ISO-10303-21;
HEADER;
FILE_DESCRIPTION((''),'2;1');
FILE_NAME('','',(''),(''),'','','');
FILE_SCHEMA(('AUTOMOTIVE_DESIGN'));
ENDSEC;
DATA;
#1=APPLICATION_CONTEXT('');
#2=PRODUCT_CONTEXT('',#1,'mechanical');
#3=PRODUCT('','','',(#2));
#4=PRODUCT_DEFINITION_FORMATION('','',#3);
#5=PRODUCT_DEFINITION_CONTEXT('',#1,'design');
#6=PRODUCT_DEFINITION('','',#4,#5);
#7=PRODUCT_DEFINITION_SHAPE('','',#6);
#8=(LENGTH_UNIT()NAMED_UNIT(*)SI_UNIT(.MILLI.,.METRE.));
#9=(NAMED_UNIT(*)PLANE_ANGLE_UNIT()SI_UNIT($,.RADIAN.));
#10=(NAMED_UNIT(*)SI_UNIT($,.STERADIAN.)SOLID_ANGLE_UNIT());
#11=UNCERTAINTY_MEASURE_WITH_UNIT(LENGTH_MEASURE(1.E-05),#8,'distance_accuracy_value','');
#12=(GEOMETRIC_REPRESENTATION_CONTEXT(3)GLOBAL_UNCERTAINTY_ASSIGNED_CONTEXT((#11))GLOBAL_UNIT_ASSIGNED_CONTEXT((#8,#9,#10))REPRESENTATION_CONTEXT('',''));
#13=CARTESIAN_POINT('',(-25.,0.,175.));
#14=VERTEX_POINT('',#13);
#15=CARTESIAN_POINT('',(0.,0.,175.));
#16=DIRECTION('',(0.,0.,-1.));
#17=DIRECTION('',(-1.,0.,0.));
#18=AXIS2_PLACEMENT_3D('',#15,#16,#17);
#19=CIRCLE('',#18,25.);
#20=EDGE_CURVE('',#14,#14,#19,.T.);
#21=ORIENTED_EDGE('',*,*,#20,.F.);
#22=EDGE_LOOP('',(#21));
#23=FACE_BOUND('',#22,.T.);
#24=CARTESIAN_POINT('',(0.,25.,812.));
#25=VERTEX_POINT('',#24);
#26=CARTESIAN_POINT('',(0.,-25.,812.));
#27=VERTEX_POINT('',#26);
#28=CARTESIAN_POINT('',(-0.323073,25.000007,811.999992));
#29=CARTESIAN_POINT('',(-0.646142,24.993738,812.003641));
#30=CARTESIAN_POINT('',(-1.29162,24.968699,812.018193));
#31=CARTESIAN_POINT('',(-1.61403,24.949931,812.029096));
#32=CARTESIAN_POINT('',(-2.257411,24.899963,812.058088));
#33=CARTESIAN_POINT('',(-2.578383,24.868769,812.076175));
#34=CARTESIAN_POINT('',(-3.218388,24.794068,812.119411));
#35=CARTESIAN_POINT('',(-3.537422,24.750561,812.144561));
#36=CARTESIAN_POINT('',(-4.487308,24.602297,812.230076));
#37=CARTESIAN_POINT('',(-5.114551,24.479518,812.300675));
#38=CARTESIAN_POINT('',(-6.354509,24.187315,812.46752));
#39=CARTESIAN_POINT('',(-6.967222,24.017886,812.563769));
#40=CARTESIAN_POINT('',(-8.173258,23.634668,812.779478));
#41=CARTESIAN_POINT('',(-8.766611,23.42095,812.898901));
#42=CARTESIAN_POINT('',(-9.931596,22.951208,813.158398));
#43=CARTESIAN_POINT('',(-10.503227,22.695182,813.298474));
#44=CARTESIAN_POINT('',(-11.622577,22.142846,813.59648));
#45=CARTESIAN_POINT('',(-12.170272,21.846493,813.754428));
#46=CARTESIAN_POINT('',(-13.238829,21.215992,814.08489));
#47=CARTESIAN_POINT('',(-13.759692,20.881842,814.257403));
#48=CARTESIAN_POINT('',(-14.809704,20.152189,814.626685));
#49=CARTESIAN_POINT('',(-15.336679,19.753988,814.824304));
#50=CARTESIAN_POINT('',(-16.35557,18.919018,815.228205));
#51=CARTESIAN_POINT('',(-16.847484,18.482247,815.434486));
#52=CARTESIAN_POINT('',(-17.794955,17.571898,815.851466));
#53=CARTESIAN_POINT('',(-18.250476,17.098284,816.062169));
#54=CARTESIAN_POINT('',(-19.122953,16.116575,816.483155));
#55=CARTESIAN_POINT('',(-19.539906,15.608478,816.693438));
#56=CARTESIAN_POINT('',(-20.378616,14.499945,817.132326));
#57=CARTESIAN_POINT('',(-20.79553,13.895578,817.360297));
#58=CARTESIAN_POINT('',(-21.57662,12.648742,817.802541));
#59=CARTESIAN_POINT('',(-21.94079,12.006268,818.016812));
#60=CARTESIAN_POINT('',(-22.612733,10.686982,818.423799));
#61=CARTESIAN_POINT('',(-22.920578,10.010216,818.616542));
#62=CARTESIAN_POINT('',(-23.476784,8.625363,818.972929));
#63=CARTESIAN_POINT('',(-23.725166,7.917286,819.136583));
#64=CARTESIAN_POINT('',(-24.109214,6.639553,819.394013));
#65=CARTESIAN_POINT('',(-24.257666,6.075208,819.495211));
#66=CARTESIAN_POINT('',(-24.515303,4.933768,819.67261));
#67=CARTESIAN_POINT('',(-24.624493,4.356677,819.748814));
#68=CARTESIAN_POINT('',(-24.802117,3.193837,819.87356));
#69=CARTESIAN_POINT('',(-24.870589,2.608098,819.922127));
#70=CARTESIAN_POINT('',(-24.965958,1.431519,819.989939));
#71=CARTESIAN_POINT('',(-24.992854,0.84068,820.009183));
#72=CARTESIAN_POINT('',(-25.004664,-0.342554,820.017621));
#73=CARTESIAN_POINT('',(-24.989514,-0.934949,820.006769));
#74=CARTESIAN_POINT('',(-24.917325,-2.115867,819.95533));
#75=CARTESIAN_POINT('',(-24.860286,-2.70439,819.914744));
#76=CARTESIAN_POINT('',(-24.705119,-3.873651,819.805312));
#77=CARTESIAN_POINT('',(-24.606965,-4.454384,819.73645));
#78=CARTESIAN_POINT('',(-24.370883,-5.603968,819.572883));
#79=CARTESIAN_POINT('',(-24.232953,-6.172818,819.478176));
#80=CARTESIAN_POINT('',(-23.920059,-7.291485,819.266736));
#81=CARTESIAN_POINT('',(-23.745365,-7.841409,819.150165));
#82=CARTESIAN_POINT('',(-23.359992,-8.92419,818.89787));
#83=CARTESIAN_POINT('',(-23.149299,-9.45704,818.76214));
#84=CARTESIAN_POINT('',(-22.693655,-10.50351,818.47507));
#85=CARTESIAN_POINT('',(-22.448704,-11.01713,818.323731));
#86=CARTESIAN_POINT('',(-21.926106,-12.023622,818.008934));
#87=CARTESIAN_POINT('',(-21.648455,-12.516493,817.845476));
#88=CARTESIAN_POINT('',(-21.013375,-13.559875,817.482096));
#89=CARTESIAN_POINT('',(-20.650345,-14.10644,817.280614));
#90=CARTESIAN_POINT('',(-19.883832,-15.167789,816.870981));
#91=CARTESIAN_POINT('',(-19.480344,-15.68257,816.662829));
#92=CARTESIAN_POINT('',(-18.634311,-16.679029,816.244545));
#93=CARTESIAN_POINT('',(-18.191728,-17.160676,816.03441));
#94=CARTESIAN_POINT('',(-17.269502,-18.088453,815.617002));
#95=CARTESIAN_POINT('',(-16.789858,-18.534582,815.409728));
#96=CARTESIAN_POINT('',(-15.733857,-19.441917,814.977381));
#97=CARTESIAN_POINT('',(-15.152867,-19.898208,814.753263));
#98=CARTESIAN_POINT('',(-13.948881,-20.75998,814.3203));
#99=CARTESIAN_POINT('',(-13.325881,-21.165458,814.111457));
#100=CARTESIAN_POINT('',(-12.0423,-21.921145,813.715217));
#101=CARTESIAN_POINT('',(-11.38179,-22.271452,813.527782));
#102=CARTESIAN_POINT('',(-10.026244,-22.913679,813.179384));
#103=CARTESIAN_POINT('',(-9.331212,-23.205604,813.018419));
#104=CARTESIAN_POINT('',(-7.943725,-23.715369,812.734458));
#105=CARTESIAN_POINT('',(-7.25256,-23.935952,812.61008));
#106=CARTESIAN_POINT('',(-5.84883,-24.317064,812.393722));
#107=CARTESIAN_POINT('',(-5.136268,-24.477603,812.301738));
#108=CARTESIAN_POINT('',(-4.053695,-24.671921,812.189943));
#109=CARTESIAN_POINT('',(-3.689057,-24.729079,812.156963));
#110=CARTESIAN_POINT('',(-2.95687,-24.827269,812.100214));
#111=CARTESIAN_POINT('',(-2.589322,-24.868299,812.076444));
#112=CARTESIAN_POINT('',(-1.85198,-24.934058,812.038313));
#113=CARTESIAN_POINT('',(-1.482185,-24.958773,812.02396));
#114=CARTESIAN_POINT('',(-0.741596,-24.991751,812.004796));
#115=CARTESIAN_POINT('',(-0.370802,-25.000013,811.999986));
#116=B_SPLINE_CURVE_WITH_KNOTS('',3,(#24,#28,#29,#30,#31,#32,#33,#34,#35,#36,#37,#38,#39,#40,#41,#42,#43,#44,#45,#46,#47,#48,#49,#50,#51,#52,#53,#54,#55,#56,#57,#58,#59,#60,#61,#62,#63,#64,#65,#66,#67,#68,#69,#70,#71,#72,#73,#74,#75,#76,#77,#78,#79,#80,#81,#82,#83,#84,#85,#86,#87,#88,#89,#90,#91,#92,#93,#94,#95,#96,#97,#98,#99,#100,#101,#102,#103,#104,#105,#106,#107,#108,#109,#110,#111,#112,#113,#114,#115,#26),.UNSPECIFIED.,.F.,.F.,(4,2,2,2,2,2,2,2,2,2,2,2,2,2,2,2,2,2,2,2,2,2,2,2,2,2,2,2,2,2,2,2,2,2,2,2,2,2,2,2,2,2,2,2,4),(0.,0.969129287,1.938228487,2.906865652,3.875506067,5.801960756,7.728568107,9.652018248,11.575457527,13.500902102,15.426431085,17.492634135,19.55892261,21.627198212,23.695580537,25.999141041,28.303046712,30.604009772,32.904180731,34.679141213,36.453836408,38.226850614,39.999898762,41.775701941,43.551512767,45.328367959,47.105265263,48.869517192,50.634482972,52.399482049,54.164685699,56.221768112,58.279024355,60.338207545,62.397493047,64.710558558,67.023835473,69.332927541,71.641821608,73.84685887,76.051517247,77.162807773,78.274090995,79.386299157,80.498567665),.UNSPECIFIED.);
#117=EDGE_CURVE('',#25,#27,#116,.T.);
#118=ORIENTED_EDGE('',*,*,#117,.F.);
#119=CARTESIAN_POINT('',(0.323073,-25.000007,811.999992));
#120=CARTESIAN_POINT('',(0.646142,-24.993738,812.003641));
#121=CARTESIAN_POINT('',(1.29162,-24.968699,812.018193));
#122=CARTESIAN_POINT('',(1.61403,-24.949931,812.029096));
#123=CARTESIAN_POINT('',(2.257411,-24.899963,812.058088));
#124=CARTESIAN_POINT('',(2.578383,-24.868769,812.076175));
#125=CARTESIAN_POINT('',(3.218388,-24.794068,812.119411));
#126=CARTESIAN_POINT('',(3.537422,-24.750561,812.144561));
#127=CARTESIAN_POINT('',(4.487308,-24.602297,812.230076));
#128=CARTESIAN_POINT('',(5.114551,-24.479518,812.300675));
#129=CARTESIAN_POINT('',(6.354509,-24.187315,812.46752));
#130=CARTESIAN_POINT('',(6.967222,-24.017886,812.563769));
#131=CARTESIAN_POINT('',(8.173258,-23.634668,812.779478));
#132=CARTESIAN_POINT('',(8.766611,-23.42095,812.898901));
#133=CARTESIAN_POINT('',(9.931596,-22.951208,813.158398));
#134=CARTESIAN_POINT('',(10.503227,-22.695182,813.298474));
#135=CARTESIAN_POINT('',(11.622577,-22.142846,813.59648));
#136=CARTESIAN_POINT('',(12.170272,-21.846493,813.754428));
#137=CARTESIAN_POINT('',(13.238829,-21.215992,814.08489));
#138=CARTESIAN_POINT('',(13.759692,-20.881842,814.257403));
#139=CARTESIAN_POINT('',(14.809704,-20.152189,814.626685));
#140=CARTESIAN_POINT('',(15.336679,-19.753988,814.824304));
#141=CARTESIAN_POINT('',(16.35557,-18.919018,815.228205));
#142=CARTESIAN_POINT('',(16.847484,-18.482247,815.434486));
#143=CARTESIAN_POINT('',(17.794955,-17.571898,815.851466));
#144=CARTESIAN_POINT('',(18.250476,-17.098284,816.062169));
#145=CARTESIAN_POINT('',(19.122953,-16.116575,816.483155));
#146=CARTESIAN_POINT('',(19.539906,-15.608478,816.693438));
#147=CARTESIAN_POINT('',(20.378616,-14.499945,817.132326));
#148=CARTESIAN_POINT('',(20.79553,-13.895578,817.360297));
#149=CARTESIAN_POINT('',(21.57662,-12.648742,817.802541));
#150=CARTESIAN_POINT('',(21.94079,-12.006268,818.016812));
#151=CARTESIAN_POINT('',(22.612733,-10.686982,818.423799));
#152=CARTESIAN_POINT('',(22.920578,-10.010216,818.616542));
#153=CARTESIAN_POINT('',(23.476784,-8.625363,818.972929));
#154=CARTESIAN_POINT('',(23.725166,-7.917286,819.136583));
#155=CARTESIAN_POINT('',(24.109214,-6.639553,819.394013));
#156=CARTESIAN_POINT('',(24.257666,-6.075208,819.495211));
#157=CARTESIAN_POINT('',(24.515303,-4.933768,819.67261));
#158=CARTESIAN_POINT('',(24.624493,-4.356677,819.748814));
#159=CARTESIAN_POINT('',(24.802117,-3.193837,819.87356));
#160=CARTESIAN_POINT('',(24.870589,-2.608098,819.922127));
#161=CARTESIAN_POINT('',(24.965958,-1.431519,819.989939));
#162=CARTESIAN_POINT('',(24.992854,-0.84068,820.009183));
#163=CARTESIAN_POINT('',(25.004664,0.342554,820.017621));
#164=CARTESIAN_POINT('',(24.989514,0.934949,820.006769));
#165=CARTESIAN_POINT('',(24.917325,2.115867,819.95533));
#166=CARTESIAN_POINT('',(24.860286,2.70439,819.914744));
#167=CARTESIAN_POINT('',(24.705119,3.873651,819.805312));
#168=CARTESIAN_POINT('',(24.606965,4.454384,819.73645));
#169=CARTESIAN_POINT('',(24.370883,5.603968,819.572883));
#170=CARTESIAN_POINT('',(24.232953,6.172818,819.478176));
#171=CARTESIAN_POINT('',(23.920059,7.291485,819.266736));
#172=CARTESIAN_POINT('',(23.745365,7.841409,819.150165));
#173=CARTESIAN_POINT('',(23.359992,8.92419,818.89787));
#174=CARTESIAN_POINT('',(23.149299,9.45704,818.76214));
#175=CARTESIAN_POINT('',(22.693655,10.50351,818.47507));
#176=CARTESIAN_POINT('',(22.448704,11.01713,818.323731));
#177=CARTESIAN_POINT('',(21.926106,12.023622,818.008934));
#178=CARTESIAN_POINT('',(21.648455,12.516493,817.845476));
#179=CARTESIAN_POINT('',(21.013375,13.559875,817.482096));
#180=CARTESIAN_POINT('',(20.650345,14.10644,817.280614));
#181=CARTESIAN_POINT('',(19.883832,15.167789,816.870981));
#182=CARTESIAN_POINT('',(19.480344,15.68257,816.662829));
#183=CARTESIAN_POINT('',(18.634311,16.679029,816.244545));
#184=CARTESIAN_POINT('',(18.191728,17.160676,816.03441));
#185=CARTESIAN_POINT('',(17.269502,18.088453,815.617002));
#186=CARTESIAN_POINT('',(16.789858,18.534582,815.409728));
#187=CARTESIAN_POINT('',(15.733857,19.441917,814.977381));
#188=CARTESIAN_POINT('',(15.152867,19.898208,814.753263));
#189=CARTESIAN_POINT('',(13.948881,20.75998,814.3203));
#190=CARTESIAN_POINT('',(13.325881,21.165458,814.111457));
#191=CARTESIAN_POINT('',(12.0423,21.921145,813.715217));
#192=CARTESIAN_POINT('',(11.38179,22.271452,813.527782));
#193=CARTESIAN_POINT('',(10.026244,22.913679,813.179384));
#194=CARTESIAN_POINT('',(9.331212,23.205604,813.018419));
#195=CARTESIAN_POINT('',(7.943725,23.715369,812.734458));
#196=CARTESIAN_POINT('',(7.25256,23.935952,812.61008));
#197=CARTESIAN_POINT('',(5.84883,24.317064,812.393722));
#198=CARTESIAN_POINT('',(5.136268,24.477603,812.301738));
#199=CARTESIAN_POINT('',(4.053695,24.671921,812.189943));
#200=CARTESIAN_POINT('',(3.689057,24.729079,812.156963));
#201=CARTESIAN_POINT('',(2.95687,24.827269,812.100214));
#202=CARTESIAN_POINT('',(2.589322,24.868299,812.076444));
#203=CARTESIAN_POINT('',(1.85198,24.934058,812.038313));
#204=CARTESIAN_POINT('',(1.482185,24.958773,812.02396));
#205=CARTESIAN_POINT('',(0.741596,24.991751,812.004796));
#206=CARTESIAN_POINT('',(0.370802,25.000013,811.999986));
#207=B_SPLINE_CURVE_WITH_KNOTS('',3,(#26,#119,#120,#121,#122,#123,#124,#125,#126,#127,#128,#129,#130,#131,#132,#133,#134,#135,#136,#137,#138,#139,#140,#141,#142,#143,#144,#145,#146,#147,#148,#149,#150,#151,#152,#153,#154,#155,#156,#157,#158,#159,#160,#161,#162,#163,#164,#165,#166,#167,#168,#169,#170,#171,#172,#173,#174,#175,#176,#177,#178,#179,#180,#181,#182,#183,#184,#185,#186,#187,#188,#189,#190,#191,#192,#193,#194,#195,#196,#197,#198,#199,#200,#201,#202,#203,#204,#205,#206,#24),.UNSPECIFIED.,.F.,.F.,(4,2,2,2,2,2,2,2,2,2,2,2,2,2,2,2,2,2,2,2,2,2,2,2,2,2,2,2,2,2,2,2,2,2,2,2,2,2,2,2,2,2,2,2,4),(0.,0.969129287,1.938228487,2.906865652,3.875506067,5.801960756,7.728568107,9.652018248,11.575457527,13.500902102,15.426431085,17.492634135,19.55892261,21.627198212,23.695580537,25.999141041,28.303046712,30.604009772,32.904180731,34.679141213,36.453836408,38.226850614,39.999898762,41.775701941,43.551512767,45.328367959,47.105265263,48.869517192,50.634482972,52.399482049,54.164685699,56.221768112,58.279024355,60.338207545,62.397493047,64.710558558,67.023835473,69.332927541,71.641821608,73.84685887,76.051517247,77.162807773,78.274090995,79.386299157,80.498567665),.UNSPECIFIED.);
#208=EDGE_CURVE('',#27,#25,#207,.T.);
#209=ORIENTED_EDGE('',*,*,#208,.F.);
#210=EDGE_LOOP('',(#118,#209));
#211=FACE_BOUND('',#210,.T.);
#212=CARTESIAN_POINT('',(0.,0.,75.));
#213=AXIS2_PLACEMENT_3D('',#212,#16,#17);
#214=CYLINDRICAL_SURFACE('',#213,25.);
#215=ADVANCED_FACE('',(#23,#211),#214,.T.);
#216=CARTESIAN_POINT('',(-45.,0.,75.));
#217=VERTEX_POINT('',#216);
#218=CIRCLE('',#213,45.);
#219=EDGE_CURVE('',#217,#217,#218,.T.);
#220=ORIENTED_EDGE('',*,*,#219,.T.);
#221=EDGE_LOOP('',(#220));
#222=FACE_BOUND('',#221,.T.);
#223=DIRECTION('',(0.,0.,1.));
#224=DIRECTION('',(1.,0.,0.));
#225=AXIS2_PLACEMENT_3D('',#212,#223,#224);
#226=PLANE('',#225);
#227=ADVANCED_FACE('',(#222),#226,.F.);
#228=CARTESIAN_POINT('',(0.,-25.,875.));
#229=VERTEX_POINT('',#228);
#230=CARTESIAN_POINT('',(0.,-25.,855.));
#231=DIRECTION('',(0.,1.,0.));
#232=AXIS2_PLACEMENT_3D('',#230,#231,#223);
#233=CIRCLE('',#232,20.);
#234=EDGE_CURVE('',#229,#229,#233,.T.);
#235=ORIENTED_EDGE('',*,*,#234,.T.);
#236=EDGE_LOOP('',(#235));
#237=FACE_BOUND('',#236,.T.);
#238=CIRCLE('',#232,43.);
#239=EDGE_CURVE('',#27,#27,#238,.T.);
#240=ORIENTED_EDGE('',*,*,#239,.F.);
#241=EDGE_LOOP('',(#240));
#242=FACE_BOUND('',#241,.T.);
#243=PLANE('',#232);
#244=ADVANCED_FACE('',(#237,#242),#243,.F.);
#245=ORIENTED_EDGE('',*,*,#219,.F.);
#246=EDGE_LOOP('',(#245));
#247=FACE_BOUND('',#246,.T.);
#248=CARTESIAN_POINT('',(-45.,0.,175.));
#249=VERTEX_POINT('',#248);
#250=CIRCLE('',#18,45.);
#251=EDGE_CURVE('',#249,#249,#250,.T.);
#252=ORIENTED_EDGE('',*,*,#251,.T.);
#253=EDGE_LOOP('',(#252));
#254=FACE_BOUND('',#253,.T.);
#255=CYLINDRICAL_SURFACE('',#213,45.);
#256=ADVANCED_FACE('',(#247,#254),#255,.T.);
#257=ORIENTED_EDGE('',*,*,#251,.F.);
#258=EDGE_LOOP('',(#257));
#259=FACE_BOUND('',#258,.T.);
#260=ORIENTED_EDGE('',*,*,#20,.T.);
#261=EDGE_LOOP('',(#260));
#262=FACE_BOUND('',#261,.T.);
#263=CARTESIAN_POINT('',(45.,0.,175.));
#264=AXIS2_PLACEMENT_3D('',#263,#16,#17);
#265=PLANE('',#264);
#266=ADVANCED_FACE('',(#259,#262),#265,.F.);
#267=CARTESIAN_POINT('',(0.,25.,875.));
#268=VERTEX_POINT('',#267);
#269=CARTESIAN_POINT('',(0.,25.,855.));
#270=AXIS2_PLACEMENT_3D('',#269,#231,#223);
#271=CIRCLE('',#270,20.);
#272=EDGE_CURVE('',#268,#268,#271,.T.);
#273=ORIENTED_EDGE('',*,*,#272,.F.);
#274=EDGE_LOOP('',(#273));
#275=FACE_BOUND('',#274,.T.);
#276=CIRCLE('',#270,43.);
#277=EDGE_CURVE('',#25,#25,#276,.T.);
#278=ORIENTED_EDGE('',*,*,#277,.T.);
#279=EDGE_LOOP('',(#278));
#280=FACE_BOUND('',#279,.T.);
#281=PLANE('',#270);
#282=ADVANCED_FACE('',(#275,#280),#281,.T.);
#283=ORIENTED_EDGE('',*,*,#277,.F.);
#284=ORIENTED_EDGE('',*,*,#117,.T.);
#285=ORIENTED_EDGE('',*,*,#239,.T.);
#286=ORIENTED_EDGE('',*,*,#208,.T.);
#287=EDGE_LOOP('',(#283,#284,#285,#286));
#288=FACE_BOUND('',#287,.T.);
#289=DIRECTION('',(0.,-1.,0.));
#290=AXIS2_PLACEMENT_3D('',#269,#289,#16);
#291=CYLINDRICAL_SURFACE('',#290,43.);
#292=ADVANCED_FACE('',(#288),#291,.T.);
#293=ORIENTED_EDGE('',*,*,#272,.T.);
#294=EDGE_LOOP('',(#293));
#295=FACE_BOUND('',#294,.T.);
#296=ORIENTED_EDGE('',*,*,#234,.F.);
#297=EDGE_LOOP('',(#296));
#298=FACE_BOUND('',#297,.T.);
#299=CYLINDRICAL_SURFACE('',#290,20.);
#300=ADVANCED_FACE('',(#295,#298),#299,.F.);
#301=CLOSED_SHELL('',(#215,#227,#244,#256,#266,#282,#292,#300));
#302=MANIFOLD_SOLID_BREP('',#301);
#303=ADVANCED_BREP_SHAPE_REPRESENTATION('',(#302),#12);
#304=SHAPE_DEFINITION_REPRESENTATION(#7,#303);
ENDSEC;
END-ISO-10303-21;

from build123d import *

# Parameters (mm, degrees)
SKETCH3_R           = 43
SKETCH3_R_2         = 20
BOSS_EXTRUDE1_DEPTH = 25


with BuildPart() as part:
    # Sketch1 → Revolve1 (revolve)
    with BuildSketch(Plane(origin=(0, 0, 0), x_dir=(1, 0, 0), z_dir=(0, 1, 0))):
        Polygon((0, -75), (45, -75), (45, -175), (25, -175), (25, -820.014288631), (0, -820.014288631), align=None)
    revolve(axis=Axis((0, 0, 75), (0, 0, 1)))

    # Sketch3 → Boss-Extrude1 (add, symmetric)
    with BuildSketch(Plane(origin=(0, 0, 0), x_dir=(1, 0, 0), z_dir=(0, 1, 0))):
        with Locations((0, -855)):
            Circle(SKETCH3_R)
        with Locations((0, -855)):
            Circle(SKETCH3_R_2, mode=Mode.SUBTRACT)
    extrude(amount=BOSS_EXTRUDE1_DEPTH, both=True)


solid = part.part
